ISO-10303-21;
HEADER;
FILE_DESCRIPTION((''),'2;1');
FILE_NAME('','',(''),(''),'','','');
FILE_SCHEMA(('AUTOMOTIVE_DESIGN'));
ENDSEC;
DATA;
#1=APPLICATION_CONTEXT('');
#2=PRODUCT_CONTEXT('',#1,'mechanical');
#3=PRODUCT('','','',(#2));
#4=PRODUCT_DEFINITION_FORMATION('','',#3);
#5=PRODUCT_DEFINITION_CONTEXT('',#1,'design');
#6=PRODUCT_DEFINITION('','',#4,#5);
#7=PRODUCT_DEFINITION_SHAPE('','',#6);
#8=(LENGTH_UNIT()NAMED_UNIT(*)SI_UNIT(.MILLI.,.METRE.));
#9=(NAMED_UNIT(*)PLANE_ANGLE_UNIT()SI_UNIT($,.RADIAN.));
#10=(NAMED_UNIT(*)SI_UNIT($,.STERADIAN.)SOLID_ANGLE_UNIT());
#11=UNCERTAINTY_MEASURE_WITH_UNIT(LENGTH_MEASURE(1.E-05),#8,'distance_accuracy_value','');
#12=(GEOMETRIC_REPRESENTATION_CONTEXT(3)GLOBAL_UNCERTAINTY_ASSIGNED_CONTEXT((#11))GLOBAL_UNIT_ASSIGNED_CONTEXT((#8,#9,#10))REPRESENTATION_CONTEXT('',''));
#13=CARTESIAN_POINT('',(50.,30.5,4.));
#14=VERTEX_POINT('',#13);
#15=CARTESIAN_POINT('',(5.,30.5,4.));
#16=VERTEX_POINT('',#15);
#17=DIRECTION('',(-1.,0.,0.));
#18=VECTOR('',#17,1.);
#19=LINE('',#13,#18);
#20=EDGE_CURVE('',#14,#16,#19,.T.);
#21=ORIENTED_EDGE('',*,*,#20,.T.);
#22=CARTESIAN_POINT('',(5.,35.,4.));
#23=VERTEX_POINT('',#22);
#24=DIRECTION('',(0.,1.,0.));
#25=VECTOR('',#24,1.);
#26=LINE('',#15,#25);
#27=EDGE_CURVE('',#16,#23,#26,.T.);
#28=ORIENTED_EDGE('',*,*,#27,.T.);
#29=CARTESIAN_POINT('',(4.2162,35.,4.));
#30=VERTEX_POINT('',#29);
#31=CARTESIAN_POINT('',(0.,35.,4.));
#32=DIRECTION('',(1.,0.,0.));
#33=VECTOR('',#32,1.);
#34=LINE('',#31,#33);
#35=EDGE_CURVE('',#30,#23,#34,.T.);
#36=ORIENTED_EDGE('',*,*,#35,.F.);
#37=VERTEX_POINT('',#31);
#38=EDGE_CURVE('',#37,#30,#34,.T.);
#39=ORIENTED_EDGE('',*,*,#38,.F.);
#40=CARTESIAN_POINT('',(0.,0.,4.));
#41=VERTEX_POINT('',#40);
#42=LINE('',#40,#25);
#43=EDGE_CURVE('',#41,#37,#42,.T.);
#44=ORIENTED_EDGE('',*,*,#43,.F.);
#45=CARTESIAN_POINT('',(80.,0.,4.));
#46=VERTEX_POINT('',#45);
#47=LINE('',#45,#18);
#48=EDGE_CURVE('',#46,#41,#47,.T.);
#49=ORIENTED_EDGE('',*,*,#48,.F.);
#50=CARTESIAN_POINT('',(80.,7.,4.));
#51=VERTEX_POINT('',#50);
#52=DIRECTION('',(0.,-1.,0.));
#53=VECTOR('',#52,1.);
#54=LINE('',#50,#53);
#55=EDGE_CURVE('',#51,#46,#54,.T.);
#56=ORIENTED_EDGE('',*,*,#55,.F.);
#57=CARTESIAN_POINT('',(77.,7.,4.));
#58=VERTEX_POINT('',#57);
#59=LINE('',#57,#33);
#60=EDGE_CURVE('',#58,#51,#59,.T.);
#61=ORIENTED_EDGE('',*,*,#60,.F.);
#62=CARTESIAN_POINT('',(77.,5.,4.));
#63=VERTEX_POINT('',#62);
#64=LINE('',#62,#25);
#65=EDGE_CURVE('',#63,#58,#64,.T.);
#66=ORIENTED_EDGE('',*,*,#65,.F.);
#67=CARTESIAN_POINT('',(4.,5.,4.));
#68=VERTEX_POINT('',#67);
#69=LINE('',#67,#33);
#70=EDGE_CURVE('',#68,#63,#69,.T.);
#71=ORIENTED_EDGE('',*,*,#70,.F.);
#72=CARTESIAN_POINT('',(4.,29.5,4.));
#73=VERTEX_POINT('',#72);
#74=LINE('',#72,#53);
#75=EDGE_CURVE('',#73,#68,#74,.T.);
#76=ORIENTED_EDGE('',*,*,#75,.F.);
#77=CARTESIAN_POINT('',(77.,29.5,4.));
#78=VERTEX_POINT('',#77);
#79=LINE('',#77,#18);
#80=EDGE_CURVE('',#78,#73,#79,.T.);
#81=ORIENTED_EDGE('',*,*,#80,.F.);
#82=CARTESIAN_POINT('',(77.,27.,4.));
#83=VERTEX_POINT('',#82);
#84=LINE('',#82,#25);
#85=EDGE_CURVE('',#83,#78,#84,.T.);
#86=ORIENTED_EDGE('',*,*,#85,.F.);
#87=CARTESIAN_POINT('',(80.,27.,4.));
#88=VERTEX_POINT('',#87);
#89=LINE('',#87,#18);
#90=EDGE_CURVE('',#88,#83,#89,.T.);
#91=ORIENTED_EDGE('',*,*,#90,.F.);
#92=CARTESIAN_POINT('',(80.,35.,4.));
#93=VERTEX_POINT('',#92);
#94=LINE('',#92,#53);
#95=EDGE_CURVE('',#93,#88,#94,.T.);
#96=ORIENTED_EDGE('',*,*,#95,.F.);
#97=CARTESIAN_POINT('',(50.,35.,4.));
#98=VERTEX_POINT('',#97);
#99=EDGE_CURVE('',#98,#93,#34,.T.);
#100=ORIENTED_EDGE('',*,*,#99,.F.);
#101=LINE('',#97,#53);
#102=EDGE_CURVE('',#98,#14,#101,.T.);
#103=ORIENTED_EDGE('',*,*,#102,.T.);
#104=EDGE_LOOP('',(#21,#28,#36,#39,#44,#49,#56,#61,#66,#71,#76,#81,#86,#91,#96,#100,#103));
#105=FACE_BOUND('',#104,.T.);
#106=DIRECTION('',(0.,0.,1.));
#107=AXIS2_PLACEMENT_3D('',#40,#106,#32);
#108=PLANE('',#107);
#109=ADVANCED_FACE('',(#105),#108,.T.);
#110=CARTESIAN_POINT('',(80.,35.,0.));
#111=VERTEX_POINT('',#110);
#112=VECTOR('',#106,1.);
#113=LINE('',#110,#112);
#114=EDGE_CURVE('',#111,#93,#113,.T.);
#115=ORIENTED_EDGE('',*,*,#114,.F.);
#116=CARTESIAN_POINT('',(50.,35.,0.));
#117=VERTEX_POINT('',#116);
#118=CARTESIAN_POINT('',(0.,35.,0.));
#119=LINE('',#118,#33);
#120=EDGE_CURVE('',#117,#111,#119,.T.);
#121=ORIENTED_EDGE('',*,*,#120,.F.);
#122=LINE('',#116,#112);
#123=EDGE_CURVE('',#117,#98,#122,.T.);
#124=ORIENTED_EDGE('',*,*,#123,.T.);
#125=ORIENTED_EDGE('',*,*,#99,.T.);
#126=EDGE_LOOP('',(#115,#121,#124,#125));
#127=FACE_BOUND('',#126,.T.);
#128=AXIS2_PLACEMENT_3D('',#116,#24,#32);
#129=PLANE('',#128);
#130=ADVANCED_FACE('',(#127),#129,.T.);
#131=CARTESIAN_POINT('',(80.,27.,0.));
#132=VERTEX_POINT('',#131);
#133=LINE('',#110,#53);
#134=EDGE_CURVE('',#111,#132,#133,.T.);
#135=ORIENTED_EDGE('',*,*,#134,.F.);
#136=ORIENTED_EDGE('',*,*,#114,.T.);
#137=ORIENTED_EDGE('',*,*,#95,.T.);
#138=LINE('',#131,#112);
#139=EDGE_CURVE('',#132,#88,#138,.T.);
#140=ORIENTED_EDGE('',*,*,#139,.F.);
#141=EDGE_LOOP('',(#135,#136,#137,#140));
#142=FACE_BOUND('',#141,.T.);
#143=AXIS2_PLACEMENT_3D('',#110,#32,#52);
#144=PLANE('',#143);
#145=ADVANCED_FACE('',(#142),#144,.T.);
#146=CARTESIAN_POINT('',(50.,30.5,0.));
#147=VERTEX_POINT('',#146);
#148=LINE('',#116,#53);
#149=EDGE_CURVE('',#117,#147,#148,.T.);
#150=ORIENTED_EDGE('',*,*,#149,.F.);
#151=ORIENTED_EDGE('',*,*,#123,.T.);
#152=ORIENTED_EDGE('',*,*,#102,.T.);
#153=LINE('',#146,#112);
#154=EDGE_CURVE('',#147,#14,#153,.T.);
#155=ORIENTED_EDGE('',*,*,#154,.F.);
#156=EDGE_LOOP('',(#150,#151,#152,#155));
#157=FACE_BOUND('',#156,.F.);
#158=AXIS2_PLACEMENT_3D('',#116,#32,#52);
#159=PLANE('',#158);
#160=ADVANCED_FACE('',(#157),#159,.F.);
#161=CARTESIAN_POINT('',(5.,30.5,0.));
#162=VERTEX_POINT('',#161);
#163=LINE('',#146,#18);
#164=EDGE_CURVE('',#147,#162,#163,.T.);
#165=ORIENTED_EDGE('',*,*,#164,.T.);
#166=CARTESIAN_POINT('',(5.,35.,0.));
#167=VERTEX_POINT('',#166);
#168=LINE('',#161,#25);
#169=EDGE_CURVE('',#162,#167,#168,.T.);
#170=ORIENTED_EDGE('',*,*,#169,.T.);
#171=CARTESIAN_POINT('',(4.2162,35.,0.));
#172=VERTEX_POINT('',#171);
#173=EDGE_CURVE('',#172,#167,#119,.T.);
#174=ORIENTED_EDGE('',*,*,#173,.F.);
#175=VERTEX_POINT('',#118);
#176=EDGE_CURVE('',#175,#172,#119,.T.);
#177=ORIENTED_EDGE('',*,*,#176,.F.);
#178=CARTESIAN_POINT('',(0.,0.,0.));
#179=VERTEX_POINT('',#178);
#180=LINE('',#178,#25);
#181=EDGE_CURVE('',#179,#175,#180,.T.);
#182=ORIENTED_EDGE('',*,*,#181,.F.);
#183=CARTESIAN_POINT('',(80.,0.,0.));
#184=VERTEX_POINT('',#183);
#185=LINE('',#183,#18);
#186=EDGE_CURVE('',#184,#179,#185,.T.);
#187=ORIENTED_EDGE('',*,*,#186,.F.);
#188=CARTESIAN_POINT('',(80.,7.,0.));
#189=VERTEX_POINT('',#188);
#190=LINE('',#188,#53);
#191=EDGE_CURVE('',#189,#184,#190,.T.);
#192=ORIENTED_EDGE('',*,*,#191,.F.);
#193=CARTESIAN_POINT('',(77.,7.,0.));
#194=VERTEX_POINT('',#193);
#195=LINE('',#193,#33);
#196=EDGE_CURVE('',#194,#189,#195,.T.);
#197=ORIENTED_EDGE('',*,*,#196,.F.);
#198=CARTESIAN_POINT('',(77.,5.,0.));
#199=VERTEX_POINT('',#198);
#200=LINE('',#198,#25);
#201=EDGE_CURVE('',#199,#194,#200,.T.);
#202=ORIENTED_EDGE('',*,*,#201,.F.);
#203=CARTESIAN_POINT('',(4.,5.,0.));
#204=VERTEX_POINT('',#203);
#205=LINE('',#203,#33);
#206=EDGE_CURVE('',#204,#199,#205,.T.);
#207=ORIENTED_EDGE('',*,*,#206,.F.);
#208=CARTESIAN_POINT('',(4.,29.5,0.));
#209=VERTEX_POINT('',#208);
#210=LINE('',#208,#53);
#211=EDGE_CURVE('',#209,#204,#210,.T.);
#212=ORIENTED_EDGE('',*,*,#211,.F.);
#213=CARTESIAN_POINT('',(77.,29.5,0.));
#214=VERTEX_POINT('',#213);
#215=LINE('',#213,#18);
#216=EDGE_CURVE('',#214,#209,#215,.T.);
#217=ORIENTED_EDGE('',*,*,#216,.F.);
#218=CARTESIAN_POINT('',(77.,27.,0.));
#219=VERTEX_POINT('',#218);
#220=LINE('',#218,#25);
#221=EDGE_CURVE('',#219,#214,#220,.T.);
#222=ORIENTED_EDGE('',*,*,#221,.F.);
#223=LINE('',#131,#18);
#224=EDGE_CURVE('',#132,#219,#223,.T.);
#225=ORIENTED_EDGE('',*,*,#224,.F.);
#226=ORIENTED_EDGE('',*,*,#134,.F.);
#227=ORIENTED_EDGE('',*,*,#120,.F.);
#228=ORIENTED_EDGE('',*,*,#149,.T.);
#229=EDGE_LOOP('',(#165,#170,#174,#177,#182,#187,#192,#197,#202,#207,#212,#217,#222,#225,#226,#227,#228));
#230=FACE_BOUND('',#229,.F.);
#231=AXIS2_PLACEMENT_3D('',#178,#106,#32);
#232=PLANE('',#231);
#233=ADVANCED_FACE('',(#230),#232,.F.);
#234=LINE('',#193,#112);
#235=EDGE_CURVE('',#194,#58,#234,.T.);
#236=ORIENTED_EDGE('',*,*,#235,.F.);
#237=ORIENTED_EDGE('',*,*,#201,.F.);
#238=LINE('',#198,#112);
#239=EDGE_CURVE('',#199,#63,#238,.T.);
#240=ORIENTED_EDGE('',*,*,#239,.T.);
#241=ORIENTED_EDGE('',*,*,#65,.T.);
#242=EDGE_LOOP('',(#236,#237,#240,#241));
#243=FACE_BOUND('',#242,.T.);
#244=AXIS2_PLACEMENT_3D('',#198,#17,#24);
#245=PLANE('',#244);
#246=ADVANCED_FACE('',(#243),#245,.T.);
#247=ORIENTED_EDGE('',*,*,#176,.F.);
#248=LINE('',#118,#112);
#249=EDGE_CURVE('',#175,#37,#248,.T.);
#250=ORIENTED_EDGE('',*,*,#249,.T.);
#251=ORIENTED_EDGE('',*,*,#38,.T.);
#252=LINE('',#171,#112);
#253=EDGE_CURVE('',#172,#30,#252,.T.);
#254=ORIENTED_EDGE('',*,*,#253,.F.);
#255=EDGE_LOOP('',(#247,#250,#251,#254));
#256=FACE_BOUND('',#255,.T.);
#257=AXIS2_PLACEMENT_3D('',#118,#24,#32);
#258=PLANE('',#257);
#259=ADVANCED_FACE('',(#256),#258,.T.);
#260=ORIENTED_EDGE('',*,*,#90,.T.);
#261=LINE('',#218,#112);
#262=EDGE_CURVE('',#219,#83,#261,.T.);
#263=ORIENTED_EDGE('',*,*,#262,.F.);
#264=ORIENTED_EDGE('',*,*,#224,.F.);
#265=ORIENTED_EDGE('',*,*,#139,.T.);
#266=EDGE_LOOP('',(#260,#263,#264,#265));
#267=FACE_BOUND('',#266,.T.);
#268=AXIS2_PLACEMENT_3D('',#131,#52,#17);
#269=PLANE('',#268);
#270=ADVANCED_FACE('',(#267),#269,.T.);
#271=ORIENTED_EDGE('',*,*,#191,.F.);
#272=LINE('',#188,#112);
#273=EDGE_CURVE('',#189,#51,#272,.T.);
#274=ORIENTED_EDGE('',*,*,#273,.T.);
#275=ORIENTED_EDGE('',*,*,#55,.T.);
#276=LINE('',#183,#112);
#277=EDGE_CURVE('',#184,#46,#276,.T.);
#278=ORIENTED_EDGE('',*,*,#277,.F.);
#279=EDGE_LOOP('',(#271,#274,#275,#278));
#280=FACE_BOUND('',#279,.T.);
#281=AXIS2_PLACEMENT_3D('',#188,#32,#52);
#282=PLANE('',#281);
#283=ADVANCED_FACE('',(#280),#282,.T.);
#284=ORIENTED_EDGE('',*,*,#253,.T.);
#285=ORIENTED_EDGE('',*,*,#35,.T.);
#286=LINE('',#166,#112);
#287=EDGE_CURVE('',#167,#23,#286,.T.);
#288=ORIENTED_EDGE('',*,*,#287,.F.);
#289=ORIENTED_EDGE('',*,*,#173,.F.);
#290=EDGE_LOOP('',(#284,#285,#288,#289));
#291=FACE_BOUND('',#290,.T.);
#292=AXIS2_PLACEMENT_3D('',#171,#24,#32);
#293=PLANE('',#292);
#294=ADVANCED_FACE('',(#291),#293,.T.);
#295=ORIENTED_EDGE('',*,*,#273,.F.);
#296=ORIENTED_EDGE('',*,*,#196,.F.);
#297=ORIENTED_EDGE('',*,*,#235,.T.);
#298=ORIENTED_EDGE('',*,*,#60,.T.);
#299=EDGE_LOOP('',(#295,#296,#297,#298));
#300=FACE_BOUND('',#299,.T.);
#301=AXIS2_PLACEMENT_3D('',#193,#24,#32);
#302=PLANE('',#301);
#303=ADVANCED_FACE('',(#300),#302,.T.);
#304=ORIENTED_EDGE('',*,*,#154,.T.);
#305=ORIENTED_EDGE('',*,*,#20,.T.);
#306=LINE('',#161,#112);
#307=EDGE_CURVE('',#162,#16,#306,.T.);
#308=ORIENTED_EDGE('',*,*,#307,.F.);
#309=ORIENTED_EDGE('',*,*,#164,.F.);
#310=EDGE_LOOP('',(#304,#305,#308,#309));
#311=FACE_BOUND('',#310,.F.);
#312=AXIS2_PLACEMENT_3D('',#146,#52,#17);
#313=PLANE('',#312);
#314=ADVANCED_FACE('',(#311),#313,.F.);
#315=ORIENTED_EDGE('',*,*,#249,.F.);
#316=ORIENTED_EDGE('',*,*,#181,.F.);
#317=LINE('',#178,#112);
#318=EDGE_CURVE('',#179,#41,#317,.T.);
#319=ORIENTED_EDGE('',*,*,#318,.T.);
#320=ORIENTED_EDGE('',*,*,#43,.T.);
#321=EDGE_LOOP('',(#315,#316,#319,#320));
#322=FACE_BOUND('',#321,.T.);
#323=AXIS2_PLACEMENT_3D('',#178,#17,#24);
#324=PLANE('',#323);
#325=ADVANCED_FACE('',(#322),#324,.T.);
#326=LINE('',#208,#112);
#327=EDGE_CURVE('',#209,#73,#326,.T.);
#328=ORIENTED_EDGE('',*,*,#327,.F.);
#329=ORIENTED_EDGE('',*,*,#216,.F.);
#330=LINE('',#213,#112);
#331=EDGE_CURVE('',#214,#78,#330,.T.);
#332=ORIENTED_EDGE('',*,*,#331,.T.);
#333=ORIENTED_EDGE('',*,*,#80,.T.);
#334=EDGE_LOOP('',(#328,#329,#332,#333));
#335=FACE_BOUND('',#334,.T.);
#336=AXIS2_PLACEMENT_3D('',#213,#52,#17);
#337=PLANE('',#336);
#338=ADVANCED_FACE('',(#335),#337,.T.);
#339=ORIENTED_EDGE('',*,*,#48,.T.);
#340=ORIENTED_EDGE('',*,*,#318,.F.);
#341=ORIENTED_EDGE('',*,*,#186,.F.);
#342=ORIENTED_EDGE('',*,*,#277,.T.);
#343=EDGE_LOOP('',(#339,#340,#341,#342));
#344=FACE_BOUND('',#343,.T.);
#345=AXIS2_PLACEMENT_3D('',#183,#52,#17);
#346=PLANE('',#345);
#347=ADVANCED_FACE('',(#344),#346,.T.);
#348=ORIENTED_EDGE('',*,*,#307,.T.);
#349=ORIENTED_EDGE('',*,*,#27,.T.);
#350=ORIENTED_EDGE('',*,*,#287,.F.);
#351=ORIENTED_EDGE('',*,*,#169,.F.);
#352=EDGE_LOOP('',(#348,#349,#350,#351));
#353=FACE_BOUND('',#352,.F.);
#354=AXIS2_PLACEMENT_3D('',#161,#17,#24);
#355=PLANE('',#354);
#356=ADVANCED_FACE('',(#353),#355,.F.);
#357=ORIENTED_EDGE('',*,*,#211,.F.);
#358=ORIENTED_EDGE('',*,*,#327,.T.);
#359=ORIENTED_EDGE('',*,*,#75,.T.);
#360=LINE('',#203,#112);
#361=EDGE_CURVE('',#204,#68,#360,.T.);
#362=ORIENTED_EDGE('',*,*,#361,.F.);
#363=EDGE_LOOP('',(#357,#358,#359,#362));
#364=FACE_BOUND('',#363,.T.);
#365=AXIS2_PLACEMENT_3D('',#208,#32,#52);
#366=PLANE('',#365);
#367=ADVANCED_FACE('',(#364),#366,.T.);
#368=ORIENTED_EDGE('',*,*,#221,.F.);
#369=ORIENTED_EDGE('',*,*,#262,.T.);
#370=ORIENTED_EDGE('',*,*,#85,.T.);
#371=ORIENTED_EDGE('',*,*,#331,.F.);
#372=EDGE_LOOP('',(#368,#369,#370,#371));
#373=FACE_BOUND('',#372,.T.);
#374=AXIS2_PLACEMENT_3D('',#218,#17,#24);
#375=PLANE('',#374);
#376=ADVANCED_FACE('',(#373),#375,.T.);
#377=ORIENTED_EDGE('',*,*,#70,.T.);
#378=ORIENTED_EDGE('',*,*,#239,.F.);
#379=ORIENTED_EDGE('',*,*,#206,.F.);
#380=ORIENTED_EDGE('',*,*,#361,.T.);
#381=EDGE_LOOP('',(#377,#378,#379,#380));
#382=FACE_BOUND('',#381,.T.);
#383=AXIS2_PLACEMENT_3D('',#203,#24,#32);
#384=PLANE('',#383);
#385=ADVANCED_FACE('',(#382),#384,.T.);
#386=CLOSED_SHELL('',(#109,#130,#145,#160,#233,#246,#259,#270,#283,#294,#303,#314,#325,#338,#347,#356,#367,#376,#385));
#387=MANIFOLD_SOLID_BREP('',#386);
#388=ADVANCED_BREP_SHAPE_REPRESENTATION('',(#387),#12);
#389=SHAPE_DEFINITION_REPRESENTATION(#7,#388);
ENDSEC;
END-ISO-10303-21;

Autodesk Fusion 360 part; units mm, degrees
sketch "Sketch1" plane through (0, 0, 0) normal (0, 0, 1) x (1, 0, 0)
  line L0 (0, 0) -> (0, 35)
  line L1 (0, 35) -> (80, 35)
  line L2 (80, 35) -> (80, 27)
  line L3 (80, 27) -> (77, 27)
  line L4 (77, 27) -> (77, 29.5)
  line L5 (77, 29.5) -> (4, 29.5)
  line L6 (4, 29.5) -> (4, 5)
  line L7 (4, 5) -> (77, 5)
  line L8 (77, 5) -> (77, 7)
  line L9 (77, 7) -> (80, 7)
  line L10 (80, 7) -> (80, 0)
  line L11 (80, 0) -> (0, 0)
  line L12 (4.2162, 35) -> (5, 35)
  line L13 (4, 32) -> (4.2162, 32)
  line L14 (5, 35) -> (50, 35)
  line L15 (50, 35) -> (50, 30.5)
  line L16 (50, 30.5) -> (5, 30.5)
  line L17 (5, 30.5) -> (5, 35)
  dimension "d3" = 35
  dimension "d4" = 5
  dimension "d5" = 5.5
  dimension "d6" = 3
  dimension "d7" = 3
  dimension "d8" = 8
  dimension "d9" = 7
  dimension "d10" = 4
  dimension "d11" = 80
  dimension "d12" = 80
  dimension "d13" = 45
  dimension "d14" = 5
  dimension "d15" = 4.5
extrude "Extrude1" add sketch "Sketch1" along normal blind 4 contours L0 L1 L2 L3 L4 L5 L6 L7 L8 L9 L10 L11 L12 L15 L16 L17
